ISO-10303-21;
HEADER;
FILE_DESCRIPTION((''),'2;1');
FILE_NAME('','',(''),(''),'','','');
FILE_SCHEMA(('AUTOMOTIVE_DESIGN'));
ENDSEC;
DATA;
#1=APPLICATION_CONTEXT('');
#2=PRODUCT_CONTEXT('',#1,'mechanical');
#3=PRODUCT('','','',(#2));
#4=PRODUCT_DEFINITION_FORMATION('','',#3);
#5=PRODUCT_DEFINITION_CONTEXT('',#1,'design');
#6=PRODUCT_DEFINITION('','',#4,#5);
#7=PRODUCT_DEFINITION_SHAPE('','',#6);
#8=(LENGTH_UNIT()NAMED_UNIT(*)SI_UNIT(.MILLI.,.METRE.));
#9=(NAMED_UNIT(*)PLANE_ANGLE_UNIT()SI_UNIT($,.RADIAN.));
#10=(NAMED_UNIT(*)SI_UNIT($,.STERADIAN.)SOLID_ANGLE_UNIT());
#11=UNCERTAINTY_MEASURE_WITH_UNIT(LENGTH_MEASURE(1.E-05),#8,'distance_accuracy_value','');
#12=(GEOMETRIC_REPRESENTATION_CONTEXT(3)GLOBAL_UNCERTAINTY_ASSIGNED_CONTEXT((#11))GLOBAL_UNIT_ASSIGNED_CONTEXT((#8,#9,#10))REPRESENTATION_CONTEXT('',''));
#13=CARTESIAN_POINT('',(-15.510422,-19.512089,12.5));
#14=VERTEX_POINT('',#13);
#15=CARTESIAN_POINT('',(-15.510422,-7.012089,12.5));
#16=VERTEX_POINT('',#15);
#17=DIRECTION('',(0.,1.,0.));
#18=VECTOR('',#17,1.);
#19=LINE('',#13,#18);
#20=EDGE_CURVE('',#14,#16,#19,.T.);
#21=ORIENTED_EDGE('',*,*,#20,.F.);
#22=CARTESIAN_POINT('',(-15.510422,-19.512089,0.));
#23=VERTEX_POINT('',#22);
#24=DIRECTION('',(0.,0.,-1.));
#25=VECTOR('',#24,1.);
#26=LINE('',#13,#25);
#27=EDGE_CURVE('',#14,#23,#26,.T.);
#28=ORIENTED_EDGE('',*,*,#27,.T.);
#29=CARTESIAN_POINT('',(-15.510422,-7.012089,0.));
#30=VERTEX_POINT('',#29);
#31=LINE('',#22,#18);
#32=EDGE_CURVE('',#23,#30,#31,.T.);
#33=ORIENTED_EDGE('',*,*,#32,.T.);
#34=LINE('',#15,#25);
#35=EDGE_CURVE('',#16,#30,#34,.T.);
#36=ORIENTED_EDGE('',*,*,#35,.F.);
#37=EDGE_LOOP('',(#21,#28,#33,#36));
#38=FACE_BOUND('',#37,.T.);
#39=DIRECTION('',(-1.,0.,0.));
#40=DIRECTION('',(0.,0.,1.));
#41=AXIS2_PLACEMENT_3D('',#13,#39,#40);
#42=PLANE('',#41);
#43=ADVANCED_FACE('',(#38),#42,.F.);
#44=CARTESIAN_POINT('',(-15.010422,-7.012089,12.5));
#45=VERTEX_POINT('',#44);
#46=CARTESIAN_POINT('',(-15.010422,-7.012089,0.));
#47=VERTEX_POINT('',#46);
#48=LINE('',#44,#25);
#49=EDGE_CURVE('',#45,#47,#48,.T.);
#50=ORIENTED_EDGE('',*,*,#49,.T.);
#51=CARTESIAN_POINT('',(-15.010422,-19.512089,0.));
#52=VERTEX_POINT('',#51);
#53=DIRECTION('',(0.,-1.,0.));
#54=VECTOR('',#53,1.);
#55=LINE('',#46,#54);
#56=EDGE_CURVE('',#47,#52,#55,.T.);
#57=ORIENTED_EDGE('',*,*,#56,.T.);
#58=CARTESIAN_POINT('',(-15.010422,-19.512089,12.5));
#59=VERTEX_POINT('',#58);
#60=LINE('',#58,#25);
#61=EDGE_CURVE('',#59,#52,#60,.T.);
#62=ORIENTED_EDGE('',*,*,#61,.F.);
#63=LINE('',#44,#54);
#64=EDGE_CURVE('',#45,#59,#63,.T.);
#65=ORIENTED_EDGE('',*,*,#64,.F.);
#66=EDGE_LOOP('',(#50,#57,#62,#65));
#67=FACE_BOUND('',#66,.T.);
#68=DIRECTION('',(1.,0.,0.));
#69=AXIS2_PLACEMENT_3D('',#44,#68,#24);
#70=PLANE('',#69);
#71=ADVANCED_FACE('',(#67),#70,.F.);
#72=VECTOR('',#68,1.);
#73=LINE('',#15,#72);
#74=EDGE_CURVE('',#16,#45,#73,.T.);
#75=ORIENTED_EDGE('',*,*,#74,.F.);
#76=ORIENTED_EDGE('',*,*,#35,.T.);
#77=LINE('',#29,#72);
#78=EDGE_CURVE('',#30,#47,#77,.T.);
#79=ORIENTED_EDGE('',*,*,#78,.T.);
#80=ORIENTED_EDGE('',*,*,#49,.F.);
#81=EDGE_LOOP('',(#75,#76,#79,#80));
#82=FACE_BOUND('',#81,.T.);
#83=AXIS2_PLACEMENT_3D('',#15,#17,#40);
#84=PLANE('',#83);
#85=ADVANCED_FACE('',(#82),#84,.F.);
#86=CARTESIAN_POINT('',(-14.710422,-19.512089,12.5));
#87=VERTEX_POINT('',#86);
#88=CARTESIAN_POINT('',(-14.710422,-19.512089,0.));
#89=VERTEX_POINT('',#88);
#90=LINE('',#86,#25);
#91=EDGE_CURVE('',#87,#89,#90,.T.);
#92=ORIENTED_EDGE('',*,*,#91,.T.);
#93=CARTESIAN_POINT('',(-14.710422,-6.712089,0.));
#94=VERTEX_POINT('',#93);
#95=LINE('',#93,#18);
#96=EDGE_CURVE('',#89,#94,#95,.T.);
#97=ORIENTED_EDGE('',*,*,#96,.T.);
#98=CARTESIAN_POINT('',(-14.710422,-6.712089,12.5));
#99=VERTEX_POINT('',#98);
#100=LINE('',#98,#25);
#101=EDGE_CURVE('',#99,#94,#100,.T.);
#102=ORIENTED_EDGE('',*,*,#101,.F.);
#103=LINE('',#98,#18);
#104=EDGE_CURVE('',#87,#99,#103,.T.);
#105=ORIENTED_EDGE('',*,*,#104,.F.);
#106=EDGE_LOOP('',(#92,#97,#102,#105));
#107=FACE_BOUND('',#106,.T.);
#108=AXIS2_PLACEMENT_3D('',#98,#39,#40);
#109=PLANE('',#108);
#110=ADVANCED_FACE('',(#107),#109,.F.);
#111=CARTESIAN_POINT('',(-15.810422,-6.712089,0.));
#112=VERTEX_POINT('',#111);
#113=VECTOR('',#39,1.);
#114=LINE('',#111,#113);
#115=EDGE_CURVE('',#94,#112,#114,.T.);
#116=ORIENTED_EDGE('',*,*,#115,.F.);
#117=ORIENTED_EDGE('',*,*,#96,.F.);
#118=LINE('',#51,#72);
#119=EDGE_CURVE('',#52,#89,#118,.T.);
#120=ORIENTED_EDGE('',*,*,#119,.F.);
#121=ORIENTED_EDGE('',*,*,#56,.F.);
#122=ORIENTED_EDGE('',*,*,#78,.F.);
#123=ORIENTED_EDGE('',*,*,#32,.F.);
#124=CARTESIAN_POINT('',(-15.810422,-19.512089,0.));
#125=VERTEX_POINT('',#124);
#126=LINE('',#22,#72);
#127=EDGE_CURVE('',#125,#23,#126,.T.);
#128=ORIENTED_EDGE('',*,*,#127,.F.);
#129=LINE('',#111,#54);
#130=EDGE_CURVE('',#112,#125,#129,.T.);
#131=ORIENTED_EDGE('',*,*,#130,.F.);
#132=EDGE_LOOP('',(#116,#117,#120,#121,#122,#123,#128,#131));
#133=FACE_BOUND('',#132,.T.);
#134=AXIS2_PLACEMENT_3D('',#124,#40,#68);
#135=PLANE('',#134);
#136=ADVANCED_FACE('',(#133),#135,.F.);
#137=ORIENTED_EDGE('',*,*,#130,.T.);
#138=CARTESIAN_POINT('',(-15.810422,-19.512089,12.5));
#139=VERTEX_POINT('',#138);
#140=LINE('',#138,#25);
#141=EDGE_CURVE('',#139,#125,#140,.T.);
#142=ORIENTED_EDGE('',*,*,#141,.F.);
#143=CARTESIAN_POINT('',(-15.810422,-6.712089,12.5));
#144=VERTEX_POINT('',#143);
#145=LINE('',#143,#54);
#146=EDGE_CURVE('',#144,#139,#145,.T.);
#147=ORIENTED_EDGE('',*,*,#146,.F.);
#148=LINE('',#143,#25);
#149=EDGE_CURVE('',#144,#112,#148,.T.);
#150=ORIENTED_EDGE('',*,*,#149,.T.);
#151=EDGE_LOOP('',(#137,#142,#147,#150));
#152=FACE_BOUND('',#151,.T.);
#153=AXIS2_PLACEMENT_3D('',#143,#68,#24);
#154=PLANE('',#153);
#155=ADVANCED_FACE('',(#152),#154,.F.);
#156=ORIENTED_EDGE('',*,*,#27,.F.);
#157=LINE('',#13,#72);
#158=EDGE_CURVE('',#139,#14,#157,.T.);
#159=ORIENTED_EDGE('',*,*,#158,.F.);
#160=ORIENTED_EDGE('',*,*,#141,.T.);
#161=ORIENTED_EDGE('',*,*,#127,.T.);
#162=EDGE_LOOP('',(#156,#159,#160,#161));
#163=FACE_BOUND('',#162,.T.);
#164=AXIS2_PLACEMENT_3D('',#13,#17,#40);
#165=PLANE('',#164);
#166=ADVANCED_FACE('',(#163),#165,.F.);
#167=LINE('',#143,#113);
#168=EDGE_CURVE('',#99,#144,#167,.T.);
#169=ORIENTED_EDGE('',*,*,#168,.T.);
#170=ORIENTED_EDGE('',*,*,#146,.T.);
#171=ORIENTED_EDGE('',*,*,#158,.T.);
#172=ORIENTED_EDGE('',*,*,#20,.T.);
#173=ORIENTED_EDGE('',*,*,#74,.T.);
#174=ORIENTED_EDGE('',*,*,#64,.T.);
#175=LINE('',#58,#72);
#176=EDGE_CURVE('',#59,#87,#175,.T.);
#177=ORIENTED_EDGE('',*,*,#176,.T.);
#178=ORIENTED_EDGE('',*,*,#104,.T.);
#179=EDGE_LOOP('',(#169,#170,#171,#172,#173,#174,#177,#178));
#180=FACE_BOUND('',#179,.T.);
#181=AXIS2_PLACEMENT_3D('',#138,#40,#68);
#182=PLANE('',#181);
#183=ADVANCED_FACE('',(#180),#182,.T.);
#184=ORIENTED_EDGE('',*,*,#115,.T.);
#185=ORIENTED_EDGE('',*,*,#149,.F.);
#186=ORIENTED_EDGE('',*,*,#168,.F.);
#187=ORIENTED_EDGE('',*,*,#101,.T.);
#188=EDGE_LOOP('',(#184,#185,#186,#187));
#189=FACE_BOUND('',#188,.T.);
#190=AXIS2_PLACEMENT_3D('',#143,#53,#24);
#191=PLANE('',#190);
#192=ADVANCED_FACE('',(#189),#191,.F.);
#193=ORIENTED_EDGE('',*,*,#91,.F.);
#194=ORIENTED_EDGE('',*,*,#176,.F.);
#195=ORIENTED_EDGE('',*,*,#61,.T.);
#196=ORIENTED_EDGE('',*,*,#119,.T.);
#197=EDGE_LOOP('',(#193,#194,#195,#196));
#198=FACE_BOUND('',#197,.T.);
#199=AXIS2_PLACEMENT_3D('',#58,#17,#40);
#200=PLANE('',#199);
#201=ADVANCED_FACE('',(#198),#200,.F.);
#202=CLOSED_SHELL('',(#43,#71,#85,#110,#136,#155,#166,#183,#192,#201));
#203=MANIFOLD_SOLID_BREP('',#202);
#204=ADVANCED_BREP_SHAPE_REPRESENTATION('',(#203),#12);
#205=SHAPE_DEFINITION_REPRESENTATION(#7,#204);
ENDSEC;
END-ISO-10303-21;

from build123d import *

# Parameters (mm, degrees)
EXTRUSION1_DEPTH = 12.5


with BuildPart() as part:
    # Esquisse1 → Extrusion1 (new body)
    with BuildSketch(Plane.XY):
        Polygon((-15.510421557, -19.512089202), (-15.510421557, -7.012089202), (-15.010421557, -7.012089202), (-15.010421557, -19.512089202), (-14.710421557, -19.512089202), (-14.710421557, -6.712089202), (-15.810421557, -6.712089202), (-15.810421557, -19.512089202), align=None)
    extrude(amount=EXTRUSION1_DEPTH)


solid = part.part
